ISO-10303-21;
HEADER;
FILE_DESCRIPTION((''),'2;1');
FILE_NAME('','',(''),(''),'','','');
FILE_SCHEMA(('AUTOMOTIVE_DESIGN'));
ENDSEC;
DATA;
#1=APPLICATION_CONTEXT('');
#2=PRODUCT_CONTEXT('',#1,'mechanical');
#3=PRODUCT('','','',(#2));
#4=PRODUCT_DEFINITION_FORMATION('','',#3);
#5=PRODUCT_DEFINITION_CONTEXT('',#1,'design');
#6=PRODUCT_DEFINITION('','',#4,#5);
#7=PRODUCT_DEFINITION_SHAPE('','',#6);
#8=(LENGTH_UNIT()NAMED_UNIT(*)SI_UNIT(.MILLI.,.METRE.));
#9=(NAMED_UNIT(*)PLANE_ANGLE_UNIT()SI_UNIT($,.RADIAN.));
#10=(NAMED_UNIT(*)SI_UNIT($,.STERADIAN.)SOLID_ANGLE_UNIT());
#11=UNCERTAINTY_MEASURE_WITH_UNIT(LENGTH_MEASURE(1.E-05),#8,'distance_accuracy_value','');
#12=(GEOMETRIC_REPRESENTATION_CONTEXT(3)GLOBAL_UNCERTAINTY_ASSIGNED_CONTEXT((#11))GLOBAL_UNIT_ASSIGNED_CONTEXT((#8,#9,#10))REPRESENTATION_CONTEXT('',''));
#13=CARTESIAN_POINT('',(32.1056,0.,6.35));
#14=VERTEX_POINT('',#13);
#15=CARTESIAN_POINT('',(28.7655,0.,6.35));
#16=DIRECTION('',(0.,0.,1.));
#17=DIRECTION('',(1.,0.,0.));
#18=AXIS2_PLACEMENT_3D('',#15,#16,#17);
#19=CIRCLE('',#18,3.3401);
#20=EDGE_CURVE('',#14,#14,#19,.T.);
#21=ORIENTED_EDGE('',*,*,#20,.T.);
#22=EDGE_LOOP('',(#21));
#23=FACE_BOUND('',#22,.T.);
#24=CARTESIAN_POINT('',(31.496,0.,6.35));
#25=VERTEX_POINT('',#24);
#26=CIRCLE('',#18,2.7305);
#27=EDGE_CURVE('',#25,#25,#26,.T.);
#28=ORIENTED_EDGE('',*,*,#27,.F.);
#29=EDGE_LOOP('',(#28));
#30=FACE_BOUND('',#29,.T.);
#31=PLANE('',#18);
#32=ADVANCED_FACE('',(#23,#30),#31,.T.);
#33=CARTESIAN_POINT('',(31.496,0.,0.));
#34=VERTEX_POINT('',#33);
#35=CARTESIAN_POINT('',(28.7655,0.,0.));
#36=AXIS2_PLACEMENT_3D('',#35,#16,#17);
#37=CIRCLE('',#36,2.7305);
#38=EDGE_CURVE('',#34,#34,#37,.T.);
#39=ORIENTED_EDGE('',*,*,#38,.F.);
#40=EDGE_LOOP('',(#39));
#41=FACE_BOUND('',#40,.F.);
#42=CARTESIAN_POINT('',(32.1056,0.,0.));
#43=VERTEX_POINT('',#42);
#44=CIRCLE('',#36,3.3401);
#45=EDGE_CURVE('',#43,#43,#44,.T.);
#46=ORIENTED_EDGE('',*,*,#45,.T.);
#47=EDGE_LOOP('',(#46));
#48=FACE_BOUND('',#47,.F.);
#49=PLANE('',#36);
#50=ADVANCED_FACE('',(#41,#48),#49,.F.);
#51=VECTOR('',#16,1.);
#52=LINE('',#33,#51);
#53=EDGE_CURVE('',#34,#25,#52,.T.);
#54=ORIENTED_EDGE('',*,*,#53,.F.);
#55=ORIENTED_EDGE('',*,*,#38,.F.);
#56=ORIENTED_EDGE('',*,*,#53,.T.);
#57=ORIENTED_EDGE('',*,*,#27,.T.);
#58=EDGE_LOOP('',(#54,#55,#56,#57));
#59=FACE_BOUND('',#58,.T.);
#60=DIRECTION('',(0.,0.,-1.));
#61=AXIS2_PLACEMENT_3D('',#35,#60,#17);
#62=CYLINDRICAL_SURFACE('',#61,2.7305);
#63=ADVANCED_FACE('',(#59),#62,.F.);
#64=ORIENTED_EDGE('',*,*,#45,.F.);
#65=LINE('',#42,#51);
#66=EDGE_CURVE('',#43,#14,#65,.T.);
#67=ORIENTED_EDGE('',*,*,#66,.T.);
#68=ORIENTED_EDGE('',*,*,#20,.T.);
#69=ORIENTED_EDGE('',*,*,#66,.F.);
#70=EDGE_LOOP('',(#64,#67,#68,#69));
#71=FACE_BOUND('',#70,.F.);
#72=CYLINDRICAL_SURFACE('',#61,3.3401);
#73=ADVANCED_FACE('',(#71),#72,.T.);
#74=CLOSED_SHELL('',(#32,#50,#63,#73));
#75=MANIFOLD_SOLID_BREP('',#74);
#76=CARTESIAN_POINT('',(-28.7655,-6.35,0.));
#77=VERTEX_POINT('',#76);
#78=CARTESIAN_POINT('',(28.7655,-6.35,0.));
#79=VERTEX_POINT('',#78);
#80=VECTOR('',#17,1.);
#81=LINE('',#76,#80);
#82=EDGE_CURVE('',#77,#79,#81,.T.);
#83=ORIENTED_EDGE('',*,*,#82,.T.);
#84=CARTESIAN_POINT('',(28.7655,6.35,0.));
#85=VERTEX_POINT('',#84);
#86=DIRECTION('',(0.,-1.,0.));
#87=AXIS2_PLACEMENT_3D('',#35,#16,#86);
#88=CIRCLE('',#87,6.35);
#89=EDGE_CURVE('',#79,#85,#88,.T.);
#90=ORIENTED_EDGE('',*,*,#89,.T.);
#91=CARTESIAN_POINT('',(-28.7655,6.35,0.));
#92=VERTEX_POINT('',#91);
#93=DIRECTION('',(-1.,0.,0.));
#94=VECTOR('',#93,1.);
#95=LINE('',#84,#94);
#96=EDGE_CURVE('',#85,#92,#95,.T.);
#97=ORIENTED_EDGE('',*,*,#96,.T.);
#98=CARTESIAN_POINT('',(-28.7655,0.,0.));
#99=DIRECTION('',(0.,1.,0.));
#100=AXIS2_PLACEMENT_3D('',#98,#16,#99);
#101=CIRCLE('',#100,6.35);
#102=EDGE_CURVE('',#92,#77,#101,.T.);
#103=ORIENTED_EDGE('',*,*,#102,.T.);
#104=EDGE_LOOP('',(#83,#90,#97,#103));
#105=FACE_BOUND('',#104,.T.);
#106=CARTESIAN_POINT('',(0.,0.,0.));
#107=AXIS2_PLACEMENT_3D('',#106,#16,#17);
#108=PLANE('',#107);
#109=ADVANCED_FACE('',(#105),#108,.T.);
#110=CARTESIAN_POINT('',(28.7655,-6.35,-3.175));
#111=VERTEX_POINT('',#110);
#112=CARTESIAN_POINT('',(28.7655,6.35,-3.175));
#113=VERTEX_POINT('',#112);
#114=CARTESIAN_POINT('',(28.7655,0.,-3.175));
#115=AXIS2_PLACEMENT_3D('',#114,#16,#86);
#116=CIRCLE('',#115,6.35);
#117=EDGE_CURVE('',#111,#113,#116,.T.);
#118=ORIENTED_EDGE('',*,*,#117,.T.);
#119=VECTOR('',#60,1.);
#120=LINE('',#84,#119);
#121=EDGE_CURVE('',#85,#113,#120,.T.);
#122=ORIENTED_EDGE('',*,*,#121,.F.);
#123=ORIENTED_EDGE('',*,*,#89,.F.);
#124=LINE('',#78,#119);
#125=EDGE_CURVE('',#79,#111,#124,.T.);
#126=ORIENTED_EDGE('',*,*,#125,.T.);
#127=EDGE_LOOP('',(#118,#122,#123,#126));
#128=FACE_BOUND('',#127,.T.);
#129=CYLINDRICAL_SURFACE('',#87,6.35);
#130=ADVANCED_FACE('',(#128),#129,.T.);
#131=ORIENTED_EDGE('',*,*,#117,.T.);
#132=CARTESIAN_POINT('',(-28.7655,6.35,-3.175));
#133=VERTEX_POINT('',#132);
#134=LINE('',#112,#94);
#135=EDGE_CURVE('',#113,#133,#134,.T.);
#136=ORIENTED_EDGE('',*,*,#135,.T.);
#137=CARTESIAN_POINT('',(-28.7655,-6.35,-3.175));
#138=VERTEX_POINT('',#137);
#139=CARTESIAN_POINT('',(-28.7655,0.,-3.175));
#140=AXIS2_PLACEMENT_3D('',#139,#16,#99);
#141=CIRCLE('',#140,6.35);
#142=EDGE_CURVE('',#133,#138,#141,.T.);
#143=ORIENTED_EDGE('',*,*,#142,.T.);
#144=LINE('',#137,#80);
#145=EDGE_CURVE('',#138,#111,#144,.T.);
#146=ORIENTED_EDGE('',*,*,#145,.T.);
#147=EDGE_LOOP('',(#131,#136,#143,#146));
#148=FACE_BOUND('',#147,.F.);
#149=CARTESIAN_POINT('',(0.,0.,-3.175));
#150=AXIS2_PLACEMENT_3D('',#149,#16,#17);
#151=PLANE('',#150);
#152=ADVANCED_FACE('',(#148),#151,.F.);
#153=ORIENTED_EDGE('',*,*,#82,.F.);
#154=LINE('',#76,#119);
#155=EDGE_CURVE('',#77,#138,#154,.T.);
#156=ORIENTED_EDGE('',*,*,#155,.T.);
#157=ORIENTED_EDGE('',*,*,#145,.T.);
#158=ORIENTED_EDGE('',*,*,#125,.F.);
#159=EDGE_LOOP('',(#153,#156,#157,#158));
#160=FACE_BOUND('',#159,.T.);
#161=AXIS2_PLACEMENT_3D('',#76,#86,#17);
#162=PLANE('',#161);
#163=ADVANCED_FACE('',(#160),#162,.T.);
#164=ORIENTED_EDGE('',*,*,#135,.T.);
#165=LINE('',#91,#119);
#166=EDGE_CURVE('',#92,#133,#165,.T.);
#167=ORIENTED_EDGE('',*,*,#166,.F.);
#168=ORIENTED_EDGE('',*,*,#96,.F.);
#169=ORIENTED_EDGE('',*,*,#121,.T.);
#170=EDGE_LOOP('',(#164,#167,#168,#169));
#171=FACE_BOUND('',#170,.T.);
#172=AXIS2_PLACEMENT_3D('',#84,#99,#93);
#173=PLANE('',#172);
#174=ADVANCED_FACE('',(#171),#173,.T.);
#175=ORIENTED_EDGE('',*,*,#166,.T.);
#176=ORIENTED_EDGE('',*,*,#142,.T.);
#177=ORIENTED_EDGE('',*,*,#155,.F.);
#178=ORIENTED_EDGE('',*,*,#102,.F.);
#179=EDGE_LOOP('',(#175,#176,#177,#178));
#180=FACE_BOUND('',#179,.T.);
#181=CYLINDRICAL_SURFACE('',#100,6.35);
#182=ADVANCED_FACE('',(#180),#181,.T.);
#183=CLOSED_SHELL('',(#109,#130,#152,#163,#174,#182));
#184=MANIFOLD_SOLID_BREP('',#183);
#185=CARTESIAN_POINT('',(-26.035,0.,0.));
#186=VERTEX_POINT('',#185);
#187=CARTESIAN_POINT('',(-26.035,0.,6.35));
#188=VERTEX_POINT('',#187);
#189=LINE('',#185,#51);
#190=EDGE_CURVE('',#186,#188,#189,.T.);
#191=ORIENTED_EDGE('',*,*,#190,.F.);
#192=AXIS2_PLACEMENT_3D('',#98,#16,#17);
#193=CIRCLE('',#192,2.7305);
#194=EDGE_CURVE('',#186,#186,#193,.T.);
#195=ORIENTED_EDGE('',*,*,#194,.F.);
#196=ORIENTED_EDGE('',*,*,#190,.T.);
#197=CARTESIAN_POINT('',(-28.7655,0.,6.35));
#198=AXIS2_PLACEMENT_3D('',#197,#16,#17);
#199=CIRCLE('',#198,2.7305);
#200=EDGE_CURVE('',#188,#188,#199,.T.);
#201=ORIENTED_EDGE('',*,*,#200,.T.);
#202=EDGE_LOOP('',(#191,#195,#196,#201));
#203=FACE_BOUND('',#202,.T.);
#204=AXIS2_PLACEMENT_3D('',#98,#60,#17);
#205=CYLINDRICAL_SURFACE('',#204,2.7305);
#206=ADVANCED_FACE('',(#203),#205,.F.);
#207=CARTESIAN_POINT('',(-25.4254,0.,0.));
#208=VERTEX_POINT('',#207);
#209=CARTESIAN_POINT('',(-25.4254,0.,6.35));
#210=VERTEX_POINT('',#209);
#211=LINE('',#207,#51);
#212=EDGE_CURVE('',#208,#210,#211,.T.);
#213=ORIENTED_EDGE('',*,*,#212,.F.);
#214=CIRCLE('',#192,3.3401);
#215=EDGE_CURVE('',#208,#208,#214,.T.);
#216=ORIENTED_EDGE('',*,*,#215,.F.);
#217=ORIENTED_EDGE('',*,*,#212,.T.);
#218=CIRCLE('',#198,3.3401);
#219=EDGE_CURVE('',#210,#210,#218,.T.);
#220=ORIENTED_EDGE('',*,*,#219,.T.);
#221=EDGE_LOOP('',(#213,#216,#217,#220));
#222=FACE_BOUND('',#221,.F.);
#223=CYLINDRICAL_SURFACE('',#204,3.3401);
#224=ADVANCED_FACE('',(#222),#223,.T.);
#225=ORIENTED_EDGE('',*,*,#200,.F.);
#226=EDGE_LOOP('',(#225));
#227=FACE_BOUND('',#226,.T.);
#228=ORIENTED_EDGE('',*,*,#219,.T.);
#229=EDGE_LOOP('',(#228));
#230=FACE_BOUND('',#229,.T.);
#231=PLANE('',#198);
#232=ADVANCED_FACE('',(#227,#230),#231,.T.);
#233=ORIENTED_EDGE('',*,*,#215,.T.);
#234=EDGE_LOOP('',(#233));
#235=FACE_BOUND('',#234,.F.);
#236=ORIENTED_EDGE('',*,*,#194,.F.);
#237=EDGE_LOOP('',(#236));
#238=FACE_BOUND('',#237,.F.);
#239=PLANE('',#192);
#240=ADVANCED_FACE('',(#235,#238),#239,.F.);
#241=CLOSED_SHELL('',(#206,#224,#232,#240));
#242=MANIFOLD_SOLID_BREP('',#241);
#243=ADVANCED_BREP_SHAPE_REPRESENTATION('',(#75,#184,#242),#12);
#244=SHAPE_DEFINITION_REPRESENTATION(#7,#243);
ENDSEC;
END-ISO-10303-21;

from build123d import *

# Parameters (mm, degrees)
F0_R     = 3.3401
F0_R_2   = 2.7305
F1_DEPTH = 6.35
F3_DEPTH = 3.175


with BuildPart() as f1:
    # F0 (on Top) → F1 (new body)
    with BuildSketch(Plane.XY):
        with Locations((-28.7655, 0)):
            Circle(F0_R)
        with Locations((-28.7655, 0)):
            Circle(F0_R_2, mode=Mode.SUBTRACT)
        with Locations((28.7655, 0)):
            Circle(F0_R)
        with Locations((28.7655, 0)):
            Circle(F0_R_2, mode=Mode.SUBTRACT)
    extrude(amount=F1_DEPTH)


with BuildPart() as f3:
    # F2 (on Top) → F3 (new body)
    with BuildSketch(Plane.XY):
        with BuildLine():
            Line((28.7655, 6.35), (-28.7655, 6.35))
            ThreePointArc((-28.7655, 6.35), (-35.1155, 0), (-28.7655, -6.35))
            Line((-28.7655, -6.35), (28.7655, -6.35))
            ThreePointArc((28.7655, -6.35), (35.1155, 0), (28.7655, 6.35))
        make_face()
    extrude(amount=-F3_DEPTH)


solid = Compound([f1.part, f3.part])
